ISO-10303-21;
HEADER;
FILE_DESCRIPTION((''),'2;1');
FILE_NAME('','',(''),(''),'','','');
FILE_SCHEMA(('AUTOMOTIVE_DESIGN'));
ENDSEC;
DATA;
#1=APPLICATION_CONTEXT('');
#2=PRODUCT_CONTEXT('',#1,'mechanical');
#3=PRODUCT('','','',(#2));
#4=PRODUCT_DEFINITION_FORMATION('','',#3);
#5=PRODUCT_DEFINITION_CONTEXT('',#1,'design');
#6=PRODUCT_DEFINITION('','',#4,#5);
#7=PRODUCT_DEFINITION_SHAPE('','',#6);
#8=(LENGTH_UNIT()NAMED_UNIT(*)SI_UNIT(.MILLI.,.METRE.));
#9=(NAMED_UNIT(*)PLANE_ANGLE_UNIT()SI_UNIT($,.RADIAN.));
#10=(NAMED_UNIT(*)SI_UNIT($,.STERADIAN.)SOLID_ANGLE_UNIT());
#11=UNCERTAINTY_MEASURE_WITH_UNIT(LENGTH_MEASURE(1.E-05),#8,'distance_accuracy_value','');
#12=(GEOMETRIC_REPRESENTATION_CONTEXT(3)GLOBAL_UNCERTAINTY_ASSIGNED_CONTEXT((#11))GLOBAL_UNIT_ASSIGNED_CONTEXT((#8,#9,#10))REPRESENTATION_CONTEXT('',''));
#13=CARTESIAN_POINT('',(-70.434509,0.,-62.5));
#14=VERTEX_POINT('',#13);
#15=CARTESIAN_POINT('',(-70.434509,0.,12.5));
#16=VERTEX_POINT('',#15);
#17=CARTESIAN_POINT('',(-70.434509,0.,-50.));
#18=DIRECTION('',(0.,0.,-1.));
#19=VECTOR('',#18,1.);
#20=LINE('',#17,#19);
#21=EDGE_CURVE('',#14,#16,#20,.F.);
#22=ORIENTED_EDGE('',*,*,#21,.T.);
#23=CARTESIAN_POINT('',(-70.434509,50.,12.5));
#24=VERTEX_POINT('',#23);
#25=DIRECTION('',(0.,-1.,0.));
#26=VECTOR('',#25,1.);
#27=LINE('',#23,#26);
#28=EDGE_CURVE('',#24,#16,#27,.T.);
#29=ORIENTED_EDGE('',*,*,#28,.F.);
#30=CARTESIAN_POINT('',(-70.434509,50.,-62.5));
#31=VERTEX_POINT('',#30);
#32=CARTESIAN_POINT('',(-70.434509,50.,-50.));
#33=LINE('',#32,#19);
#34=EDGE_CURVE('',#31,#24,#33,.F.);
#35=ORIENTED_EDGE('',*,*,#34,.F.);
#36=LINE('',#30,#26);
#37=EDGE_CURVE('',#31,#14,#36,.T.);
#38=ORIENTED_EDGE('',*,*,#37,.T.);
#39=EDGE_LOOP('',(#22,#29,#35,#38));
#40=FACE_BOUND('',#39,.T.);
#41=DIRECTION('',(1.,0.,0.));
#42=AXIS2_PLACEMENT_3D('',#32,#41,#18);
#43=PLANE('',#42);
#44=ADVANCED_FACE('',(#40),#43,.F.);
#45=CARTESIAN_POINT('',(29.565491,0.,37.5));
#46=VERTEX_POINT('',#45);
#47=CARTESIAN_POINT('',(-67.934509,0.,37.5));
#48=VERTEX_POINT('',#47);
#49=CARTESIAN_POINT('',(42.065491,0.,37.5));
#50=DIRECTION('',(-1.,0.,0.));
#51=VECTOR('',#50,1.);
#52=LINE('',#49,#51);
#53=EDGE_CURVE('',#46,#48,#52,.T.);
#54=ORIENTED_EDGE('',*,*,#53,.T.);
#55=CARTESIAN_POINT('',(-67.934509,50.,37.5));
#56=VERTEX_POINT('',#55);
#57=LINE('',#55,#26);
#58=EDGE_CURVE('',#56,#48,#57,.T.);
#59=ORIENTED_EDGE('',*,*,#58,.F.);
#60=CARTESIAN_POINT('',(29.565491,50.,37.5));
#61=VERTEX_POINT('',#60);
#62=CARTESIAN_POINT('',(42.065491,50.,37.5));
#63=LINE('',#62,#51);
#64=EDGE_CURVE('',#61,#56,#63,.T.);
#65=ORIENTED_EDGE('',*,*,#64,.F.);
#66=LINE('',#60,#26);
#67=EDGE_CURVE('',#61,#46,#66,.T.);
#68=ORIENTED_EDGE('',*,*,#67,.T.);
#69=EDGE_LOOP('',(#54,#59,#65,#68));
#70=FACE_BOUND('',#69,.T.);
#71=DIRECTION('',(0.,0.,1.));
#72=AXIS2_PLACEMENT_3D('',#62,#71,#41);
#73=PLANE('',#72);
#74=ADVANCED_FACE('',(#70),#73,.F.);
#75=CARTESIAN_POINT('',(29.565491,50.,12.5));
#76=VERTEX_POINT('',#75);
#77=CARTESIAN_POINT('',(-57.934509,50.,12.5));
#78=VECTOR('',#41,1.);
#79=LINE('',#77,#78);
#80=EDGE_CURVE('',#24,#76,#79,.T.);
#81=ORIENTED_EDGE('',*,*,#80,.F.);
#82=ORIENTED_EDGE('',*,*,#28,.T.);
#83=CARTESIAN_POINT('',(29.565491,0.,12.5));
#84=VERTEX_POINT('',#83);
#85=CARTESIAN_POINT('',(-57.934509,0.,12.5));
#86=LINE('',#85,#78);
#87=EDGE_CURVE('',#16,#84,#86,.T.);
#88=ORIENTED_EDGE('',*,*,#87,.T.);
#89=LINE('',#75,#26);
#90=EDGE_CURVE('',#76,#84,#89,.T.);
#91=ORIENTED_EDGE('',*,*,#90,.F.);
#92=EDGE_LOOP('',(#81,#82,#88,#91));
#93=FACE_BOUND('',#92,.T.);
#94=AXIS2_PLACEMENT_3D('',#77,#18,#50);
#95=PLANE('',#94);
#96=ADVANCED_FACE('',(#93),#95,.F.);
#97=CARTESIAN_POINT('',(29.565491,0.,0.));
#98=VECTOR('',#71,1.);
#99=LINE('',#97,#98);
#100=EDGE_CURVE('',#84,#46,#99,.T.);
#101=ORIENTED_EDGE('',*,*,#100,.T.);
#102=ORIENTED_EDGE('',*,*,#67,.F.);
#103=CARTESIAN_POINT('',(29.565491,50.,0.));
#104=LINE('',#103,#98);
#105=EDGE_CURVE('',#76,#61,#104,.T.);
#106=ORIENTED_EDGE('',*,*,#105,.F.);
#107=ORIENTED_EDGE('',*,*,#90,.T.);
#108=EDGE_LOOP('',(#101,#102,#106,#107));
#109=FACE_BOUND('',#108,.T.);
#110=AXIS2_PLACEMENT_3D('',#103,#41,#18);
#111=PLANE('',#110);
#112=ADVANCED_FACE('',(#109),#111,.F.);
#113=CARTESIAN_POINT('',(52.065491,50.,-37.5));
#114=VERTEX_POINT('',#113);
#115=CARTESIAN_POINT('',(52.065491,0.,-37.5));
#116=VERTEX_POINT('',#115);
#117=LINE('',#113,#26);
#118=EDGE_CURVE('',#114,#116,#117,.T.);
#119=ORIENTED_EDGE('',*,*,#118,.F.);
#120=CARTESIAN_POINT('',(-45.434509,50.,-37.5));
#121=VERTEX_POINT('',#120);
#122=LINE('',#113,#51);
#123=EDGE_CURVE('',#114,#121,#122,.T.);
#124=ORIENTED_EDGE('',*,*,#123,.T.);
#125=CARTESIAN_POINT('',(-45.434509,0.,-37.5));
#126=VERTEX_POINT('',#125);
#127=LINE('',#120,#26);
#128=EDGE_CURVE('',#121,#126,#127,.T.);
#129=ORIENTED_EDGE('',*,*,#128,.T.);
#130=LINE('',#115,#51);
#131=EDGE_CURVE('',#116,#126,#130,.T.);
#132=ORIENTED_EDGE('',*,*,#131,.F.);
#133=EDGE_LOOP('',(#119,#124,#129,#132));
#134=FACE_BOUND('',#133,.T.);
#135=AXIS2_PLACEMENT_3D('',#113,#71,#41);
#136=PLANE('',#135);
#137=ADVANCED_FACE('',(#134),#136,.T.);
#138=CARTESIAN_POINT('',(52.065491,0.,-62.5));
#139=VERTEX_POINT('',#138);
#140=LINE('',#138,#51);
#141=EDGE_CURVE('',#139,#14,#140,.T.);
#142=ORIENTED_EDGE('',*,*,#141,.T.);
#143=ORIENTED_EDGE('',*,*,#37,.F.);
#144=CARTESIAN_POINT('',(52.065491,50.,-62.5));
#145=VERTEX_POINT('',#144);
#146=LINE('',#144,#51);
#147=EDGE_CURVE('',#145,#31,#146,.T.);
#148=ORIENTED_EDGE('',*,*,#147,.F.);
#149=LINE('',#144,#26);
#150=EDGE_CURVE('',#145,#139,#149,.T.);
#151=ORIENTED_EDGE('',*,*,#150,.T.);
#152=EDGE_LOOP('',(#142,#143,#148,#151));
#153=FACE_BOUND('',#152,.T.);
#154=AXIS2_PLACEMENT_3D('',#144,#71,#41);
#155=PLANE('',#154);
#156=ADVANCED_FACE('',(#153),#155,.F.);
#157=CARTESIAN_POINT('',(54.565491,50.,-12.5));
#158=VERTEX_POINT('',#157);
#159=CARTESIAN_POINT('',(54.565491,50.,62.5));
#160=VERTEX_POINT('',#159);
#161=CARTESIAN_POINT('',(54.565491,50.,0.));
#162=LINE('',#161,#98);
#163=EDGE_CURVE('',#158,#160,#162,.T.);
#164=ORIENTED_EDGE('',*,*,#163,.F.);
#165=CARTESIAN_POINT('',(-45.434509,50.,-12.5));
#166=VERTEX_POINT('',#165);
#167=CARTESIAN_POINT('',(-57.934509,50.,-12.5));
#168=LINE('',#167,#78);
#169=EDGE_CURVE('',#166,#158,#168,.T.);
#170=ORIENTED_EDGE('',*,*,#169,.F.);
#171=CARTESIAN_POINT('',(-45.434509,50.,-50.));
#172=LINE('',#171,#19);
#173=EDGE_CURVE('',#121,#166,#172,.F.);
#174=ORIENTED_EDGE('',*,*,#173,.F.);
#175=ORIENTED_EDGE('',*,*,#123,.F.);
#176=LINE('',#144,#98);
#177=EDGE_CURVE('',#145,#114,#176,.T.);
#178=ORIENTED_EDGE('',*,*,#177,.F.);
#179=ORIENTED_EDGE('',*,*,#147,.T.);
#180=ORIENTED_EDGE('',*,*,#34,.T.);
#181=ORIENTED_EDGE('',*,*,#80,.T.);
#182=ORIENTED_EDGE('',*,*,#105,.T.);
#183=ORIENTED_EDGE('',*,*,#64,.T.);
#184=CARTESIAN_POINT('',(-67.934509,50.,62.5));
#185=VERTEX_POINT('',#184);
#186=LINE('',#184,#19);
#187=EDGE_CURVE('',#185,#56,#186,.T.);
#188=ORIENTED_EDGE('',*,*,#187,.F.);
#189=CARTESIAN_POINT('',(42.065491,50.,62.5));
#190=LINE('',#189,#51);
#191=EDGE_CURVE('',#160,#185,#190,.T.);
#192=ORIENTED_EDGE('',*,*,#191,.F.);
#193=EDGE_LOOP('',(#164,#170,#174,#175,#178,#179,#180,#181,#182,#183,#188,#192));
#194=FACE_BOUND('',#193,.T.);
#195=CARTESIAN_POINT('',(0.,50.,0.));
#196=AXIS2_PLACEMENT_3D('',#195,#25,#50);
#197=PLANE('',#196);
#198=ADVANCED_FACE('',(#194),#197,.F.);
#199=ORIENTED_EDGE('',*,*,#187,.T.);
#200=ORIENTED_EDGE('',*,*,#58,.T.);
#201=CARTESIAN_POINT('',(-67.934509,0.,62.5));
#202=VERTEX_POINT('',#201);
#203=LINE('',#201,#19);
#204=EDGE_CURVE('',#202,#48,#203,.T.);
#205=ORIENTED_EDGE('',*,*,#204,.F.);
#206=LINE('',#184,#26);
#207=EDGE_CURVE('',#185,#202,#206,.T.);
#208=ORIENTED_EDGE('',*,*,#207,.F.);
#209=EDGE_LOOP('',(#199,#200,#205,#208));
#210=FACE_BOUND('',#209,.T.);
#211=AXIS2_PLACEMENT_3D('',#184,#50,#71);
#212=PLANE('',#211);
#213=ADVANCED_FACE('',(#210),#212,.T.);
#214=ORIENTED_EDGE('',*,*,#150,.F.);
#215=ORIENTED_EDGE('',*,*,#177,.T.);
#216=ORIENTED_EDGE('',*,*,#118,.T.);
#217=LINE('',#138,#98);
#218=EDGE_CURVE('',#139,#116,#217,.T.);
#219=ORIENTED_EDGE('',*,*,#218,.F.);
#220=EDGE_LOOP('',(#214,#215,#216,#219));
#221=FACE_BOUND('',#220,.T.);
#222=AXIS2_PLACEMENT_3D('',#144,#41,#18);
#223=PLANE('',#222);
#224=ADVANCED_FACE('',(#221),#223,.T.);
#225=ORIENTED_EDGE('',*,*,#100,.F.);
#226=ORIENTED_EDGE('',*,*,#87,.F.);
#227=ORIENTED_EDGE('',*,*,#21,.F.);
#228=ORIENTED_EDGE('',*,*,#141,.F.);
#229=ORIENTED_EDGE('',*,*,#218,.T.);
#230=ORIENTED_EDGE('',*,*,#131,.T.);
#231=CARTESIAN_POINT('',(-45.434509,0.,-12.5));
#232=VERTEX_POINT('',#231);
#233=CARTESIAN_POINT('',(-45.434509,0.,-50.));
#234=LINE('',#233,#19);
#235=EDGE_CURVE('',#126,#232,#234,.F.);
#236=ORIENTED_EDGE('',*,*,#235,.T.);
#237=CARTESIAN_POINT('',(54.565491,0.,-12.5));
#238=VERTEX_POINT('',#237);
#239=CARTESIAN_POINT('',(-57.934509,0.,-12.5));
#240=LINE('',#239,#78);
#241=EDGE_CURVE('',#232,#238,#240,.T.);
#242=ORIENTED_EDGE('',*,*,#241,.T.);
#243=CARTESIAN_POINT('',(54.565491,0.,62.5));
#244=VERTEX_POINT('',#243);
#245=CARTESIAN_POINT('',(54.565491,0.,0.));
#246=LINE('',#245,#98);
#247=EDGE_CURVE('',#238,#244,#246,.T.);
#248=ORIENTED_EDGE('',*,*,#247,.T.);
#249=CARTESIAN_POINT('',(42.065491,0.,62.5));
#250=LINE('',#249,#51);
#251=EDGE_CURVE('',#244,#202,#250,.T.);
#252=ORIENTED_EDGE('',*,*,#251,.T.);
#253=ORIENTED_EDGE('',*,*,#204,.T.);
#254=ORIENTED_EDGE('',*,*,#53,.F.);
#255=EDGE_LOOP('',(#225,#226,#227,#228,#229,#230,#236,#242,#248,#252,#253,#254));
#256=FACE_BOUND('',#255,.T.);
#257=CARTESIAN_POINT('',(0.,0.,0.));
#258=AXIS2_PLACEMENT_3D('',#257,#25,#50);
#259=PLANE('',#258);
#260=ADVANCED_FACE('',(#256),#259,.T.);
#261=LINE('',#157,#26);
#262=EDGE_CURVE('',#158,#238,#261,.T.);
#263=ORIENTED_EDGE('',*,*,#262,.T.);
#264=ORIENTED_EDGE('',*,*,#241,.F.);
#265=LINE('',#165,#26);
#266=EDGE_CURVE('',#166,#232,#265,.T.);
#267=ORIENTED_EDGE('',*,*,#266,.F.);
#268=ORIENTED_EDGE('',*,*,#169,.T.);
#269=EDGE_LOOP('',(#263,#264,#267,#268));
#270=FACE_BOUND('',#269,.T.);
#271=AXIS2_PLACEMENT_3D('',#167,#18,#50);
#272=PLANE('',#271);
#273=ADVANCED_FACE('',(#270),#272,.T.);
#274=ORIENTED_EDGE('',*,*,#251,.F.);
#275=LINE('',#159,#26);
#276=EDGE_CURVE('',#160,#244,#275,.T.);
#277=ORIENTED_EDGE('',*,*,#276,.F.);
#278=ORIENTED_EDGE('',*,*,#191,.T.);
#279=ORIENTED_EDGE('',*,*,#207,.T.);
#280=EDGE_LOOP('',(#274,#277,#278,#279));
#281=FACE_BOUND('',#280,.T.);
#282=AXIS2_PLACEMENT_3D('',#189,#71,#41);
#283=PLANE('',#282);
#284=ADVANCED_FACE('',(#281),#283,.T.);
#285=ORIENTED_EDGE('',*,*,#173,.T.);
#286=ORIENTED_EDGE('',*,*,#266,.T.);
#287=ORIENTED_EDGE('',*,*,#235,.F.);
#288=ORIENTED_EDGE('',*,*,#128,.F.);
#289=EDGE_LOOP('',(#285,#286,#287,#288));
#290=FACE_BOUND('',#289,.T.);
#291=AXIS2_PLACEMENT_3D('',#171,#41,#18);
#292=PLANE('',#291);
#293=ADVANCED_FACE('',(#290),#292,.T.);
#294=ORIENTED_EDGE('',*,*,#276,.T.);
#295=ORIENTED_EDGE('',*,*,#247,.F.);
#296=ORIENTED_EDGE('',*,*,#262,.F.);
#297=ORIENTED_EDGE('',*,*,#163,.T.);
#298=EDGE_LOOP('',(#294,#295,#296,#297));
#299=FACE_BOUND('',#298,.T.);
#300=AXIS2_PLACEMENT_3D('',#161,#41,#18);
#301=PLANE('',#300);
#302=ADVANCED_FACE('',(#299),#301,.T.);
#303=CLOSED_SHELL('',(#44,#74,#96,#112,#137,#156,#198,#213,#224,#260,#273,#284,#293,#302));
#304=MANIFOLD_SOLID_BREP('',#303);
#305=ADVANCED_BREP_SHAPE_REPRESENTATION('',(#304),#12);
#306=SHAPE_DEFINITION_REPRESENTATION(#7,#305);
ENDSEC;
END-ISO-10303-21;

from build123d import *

# Parameters (mm, degrees)
EXTRUDE_THIN1_DEPTH = 50


with BuildPart() as part:
    # Sketch2 → Extrude-Thin1 (new body)
    with BuildSketch(Plane(origin=(0, 0, 0), x_dir=(1, 0, 0), z_dir=(0, 1, 0))):
        Polygon((52.065491184, 62.5), (-70.434508816, 62.5), (-70.434508816, -12.5), (29.565491184, -12.5), (29.565491184, -37.5), (-67.934508816, -37.5), (-67.934508816, -62.5), (54.565491184, -62.5), (54.565491184, 12.5), (-45.434508816, 12.5), (-45.434508816, 37.5), (52.065491184, 37.5), align=None)
    extrude(amount=EXTRUDE_THIN1_DEPTH)


solid = part.part
